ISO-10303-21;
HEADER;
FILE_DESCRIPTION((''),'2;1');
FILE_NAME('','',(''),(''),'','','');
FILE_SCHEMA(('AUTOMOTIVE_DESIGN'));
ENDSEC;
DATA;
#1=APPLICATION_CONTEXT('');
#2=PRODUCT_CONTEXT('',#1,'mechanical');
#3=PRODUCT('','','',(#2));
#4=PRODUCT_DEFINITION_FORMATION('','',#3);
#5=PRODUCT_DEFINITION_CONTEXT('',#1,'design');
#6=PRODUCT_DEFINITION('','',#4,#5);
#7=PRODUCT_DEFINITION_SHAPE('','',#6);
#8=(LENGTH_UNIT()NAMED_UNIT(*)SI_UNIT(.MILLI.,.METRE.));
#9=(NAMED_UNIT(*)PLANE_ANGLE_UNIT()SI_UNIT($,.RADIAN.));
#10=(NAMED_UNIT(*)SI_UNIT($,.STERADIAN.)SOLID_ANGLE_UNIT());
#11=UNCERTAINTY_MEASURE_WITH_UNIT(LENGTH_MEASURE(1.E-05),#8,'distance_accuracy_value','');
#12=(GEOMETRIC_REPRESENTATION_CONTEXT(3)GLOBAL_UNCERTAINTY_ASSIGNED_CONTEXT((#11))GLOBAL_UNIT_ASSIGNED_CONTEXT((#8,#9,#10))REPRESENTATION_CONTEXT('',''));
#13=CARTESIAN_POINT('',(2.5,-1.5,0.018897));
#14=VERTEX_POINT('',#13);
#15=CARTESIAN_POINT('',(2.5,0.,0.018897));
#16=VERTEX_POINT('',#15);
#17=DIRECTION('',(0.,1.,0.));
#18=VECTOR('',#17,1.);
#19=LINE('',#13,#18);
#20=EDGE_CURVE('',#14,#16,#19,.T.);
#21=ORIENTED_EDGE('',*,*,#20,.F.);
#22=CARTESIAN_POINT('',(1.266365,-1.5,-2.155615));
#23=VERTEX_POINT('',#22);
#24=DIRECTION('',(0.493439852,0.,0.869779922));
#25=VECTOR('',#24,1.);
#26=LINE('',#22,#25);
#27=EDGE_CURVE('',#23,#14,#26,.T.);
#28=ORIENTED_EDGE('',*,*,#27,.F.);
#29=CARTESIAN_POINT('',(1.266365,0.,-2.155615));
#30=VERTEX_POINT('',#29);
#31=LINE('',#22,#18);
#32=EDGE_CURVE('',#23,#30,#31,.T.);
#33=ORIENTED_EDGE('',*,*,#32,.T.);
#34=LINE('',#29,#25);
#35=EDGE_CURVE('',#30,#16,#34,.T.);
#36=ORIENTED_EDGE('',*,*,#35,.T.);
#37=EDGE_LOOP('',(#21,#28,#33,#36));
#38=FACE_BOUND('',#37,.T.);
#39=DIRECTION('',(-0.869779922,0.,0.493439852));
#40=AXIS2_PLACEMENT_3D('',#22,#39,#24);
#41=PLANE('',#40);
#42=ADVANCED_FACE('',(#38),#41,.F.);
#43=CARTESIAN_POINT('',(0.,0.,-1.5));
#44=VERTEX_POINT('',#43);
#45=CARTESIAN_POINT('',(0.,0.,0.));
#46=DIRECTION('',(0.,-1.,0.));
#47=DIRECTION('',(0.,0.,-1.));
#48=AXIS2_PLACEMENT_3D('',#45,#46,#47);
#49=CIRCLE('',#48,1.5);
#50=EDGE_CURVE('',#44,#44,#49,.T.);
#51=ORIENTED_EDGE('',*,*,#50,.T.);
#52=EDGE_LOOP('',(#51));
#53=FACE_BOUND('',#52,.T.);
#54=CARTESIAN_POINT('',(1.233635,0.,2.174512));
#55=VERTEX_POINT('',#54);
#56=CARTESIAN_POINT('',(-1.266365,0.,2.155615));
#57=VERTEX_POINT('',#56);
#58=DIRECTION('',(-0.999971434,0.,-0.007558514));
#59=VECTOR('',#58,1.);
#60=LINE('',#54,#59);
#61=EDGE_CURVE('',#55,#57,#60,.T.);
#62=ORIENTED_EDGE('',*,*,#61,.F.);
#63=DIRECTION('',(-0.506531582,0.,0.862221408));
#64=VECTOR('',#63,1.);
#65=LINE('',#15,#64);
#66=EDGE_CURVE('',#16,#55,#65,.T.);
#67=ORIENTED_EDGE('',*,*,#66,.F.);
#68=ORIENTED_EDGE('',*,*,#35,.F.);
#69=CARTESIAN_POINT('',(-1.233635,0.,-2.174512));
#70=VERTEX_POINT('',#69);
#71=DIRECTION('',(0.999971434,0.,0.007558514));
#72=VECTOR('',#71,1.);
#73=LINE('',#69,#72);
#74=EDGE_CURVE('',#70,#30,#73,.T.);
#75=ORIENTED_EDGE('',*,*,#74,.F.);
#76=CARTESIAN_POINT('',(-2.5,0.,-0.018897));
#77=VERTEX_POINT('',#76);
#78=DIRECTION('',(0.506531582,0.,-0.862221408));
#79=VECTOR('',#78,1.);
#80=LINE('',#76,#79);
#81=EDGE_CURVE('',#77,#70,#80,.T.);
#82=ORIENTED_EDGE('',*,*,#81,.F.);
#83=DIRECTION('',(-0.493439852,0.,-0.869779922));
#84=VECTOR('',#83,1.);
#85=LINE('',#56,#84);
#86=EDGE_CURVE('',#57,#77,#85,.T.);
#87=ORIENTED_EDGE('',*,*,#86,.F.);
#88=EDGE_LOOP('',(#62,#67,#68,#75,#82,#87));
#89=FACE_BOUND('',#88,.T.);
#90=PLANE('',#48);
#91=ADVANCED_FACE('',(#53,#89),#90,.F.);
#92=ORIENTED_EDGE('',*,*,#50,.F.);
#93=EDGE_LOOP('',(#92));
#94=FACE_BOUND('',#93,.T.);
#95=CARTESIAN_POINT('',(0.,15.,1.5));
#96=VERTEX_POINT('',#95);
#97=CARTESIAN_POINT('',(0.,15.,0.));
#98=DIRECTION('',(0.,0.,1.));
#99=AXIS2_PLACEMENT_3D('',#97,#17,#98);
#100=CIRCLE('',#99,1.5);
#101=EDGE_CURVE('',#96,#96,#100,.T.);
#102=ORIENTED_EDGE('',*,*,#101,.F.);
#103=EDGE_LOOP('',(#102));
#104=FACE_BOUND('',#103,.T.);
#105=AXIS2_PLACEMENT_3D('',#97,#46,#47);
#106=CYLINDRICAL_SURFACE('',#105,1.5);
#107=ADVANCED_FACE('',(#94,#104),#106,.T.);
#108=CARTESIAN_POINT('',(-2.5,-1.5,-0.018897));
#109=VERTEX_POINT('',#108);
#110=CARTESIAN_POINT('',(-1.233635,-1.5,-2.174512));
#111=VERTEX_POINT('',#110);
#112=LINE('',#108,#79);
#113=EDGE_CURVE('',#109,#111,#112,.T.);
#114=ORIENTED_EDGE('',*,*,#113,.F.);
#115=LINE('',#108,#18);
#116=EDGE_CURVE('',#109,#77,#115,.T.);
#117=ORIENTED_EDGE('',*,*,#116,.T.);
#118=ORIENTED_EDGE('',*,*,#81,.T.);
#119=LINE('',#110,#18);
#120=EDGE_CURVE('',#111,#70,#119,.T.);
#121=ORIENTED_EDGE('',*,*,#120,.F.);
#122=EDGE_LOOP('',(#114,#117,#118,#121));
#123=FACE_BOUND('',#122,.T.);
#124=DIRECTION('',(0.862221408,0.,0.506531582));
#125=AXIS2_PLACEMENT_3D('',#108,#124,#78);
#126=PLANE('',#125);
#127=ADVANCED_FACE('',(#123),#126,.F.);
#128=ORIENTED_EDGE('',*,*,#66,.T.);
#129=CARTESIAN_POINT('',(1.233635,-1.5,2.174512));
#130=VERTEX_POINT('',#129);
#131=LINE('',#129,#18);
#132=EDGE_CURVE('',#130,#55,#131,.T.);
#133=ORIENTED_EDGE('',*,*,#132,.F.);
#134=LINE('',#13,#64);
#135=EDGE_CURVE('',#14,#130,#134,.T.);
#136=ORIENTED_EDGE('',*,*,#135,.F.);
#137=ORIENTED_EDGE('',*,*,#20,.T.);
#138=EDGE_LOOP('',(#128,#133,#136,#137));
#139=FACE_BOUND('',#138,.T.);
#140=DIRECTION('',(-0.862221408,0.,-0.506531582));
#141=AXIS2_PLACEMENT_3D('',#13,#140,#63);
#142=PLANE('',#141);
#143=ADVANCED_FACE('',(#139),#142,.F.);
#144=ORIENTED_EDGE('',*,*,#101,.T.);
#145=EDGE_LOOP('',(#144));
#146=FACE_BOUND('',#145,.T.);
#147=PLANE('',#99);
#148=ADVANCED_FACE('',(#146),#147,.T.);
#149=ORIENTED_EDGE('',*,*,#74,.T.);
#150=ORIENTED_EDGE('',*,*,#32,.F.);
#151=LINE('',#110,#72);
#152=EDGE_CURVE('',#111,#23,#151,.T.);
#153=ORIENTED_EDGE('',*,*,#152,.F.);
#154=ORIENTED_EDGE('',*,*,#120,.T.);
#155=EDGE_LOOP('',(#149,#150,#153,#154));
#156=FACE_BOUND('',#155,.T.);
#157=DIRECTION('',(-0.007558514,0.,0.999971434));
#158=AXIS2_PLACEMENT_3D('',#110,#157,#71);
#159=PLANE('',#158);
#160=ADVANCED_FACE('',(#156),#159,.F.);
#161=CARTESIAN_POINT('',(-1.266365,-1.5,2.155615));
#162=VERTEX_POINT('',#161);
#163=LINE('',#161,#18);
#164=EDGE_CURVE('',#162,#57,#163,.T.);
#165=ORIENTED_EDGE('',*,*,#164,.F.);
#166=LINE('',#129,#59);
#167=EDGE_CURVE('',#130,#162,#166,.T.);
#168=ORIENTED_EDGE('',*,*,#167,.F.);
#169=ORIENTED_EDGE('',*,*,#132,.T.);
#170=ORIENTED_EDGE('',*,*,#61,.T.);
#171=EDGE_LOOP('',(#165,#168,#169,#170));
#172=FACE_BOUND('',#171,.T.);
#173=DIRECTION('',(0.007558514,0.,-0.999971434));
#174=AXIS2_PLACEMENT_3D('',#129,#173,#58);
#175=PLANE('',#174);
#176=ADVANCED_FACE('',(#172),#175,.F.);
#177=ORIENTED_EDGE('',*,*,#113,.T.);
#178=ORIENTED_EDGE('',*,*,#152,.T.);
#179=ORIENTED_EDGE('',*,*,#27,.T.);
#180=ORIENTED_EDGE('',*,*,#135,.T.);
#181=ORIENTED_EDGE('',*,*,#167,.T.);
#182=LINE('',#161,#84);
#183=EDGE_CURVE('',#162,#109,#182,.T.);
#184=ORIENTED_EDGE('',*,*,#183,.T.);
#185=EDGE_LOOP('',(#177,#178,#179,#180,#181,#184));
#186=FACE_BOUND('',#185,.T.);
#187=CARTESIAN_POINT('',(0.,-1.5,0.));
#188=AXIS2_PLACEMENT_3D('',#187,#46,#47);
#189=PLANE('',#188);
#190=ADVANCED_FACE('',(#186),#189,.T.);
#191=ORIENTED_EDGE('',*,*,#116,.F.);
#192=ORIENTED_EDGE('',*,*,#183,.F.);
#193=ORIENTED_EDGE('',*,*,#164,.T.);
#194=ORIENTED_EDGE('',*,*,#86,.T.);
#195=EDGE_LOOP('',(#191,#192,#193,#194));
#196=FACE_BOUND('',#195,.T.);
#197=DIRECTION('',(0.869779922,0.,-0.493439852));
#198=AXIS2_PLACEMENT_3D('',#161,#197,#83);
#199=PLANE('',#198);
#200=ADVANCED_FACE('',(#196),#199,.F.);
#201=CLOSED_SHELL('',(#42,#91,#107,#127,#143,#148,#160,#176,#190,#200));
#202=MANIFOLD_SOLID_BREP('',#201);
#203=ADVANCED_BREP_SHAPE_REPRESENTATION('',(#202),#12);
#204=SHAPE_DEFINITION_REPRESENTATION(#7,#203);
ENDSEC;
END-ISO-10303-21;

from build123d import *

# Parameters (mm, degrees)
SKETCH1_R           = 1.5
BOSS_EXTRUDE1_DEPTH = 15
BOSS_EXTRUDE2_DEPTH = 1.5


with BuildPart() as part:
    # Sketch1 → Boss-Extrude1 (new body)
    with BuildSketch(Plane(origin=(0, 0, 0), x_dir=(1, 0, 0), z_dir=(0, 1, 0))):
        Circle(SKETCH1_R)
    extrude(amount=BOSS_EXTRUDE1_DEPTH)

    # Sketch2 → Boss-Extrude2 (add)
    with BuildSketch(Plane.XZ):
        Polygon((2.5, 0.018896825), (1.23363487, 2.174511922), (-1.26636513, 2.155615097), (-2.5, -0.018896825), (-1.23363487, -2.174511922), (1.26636513, -2.155615097), align=None)
    extrude(amount=BOSS_EXTRUDE2_DEPTH)


solid = part.part
